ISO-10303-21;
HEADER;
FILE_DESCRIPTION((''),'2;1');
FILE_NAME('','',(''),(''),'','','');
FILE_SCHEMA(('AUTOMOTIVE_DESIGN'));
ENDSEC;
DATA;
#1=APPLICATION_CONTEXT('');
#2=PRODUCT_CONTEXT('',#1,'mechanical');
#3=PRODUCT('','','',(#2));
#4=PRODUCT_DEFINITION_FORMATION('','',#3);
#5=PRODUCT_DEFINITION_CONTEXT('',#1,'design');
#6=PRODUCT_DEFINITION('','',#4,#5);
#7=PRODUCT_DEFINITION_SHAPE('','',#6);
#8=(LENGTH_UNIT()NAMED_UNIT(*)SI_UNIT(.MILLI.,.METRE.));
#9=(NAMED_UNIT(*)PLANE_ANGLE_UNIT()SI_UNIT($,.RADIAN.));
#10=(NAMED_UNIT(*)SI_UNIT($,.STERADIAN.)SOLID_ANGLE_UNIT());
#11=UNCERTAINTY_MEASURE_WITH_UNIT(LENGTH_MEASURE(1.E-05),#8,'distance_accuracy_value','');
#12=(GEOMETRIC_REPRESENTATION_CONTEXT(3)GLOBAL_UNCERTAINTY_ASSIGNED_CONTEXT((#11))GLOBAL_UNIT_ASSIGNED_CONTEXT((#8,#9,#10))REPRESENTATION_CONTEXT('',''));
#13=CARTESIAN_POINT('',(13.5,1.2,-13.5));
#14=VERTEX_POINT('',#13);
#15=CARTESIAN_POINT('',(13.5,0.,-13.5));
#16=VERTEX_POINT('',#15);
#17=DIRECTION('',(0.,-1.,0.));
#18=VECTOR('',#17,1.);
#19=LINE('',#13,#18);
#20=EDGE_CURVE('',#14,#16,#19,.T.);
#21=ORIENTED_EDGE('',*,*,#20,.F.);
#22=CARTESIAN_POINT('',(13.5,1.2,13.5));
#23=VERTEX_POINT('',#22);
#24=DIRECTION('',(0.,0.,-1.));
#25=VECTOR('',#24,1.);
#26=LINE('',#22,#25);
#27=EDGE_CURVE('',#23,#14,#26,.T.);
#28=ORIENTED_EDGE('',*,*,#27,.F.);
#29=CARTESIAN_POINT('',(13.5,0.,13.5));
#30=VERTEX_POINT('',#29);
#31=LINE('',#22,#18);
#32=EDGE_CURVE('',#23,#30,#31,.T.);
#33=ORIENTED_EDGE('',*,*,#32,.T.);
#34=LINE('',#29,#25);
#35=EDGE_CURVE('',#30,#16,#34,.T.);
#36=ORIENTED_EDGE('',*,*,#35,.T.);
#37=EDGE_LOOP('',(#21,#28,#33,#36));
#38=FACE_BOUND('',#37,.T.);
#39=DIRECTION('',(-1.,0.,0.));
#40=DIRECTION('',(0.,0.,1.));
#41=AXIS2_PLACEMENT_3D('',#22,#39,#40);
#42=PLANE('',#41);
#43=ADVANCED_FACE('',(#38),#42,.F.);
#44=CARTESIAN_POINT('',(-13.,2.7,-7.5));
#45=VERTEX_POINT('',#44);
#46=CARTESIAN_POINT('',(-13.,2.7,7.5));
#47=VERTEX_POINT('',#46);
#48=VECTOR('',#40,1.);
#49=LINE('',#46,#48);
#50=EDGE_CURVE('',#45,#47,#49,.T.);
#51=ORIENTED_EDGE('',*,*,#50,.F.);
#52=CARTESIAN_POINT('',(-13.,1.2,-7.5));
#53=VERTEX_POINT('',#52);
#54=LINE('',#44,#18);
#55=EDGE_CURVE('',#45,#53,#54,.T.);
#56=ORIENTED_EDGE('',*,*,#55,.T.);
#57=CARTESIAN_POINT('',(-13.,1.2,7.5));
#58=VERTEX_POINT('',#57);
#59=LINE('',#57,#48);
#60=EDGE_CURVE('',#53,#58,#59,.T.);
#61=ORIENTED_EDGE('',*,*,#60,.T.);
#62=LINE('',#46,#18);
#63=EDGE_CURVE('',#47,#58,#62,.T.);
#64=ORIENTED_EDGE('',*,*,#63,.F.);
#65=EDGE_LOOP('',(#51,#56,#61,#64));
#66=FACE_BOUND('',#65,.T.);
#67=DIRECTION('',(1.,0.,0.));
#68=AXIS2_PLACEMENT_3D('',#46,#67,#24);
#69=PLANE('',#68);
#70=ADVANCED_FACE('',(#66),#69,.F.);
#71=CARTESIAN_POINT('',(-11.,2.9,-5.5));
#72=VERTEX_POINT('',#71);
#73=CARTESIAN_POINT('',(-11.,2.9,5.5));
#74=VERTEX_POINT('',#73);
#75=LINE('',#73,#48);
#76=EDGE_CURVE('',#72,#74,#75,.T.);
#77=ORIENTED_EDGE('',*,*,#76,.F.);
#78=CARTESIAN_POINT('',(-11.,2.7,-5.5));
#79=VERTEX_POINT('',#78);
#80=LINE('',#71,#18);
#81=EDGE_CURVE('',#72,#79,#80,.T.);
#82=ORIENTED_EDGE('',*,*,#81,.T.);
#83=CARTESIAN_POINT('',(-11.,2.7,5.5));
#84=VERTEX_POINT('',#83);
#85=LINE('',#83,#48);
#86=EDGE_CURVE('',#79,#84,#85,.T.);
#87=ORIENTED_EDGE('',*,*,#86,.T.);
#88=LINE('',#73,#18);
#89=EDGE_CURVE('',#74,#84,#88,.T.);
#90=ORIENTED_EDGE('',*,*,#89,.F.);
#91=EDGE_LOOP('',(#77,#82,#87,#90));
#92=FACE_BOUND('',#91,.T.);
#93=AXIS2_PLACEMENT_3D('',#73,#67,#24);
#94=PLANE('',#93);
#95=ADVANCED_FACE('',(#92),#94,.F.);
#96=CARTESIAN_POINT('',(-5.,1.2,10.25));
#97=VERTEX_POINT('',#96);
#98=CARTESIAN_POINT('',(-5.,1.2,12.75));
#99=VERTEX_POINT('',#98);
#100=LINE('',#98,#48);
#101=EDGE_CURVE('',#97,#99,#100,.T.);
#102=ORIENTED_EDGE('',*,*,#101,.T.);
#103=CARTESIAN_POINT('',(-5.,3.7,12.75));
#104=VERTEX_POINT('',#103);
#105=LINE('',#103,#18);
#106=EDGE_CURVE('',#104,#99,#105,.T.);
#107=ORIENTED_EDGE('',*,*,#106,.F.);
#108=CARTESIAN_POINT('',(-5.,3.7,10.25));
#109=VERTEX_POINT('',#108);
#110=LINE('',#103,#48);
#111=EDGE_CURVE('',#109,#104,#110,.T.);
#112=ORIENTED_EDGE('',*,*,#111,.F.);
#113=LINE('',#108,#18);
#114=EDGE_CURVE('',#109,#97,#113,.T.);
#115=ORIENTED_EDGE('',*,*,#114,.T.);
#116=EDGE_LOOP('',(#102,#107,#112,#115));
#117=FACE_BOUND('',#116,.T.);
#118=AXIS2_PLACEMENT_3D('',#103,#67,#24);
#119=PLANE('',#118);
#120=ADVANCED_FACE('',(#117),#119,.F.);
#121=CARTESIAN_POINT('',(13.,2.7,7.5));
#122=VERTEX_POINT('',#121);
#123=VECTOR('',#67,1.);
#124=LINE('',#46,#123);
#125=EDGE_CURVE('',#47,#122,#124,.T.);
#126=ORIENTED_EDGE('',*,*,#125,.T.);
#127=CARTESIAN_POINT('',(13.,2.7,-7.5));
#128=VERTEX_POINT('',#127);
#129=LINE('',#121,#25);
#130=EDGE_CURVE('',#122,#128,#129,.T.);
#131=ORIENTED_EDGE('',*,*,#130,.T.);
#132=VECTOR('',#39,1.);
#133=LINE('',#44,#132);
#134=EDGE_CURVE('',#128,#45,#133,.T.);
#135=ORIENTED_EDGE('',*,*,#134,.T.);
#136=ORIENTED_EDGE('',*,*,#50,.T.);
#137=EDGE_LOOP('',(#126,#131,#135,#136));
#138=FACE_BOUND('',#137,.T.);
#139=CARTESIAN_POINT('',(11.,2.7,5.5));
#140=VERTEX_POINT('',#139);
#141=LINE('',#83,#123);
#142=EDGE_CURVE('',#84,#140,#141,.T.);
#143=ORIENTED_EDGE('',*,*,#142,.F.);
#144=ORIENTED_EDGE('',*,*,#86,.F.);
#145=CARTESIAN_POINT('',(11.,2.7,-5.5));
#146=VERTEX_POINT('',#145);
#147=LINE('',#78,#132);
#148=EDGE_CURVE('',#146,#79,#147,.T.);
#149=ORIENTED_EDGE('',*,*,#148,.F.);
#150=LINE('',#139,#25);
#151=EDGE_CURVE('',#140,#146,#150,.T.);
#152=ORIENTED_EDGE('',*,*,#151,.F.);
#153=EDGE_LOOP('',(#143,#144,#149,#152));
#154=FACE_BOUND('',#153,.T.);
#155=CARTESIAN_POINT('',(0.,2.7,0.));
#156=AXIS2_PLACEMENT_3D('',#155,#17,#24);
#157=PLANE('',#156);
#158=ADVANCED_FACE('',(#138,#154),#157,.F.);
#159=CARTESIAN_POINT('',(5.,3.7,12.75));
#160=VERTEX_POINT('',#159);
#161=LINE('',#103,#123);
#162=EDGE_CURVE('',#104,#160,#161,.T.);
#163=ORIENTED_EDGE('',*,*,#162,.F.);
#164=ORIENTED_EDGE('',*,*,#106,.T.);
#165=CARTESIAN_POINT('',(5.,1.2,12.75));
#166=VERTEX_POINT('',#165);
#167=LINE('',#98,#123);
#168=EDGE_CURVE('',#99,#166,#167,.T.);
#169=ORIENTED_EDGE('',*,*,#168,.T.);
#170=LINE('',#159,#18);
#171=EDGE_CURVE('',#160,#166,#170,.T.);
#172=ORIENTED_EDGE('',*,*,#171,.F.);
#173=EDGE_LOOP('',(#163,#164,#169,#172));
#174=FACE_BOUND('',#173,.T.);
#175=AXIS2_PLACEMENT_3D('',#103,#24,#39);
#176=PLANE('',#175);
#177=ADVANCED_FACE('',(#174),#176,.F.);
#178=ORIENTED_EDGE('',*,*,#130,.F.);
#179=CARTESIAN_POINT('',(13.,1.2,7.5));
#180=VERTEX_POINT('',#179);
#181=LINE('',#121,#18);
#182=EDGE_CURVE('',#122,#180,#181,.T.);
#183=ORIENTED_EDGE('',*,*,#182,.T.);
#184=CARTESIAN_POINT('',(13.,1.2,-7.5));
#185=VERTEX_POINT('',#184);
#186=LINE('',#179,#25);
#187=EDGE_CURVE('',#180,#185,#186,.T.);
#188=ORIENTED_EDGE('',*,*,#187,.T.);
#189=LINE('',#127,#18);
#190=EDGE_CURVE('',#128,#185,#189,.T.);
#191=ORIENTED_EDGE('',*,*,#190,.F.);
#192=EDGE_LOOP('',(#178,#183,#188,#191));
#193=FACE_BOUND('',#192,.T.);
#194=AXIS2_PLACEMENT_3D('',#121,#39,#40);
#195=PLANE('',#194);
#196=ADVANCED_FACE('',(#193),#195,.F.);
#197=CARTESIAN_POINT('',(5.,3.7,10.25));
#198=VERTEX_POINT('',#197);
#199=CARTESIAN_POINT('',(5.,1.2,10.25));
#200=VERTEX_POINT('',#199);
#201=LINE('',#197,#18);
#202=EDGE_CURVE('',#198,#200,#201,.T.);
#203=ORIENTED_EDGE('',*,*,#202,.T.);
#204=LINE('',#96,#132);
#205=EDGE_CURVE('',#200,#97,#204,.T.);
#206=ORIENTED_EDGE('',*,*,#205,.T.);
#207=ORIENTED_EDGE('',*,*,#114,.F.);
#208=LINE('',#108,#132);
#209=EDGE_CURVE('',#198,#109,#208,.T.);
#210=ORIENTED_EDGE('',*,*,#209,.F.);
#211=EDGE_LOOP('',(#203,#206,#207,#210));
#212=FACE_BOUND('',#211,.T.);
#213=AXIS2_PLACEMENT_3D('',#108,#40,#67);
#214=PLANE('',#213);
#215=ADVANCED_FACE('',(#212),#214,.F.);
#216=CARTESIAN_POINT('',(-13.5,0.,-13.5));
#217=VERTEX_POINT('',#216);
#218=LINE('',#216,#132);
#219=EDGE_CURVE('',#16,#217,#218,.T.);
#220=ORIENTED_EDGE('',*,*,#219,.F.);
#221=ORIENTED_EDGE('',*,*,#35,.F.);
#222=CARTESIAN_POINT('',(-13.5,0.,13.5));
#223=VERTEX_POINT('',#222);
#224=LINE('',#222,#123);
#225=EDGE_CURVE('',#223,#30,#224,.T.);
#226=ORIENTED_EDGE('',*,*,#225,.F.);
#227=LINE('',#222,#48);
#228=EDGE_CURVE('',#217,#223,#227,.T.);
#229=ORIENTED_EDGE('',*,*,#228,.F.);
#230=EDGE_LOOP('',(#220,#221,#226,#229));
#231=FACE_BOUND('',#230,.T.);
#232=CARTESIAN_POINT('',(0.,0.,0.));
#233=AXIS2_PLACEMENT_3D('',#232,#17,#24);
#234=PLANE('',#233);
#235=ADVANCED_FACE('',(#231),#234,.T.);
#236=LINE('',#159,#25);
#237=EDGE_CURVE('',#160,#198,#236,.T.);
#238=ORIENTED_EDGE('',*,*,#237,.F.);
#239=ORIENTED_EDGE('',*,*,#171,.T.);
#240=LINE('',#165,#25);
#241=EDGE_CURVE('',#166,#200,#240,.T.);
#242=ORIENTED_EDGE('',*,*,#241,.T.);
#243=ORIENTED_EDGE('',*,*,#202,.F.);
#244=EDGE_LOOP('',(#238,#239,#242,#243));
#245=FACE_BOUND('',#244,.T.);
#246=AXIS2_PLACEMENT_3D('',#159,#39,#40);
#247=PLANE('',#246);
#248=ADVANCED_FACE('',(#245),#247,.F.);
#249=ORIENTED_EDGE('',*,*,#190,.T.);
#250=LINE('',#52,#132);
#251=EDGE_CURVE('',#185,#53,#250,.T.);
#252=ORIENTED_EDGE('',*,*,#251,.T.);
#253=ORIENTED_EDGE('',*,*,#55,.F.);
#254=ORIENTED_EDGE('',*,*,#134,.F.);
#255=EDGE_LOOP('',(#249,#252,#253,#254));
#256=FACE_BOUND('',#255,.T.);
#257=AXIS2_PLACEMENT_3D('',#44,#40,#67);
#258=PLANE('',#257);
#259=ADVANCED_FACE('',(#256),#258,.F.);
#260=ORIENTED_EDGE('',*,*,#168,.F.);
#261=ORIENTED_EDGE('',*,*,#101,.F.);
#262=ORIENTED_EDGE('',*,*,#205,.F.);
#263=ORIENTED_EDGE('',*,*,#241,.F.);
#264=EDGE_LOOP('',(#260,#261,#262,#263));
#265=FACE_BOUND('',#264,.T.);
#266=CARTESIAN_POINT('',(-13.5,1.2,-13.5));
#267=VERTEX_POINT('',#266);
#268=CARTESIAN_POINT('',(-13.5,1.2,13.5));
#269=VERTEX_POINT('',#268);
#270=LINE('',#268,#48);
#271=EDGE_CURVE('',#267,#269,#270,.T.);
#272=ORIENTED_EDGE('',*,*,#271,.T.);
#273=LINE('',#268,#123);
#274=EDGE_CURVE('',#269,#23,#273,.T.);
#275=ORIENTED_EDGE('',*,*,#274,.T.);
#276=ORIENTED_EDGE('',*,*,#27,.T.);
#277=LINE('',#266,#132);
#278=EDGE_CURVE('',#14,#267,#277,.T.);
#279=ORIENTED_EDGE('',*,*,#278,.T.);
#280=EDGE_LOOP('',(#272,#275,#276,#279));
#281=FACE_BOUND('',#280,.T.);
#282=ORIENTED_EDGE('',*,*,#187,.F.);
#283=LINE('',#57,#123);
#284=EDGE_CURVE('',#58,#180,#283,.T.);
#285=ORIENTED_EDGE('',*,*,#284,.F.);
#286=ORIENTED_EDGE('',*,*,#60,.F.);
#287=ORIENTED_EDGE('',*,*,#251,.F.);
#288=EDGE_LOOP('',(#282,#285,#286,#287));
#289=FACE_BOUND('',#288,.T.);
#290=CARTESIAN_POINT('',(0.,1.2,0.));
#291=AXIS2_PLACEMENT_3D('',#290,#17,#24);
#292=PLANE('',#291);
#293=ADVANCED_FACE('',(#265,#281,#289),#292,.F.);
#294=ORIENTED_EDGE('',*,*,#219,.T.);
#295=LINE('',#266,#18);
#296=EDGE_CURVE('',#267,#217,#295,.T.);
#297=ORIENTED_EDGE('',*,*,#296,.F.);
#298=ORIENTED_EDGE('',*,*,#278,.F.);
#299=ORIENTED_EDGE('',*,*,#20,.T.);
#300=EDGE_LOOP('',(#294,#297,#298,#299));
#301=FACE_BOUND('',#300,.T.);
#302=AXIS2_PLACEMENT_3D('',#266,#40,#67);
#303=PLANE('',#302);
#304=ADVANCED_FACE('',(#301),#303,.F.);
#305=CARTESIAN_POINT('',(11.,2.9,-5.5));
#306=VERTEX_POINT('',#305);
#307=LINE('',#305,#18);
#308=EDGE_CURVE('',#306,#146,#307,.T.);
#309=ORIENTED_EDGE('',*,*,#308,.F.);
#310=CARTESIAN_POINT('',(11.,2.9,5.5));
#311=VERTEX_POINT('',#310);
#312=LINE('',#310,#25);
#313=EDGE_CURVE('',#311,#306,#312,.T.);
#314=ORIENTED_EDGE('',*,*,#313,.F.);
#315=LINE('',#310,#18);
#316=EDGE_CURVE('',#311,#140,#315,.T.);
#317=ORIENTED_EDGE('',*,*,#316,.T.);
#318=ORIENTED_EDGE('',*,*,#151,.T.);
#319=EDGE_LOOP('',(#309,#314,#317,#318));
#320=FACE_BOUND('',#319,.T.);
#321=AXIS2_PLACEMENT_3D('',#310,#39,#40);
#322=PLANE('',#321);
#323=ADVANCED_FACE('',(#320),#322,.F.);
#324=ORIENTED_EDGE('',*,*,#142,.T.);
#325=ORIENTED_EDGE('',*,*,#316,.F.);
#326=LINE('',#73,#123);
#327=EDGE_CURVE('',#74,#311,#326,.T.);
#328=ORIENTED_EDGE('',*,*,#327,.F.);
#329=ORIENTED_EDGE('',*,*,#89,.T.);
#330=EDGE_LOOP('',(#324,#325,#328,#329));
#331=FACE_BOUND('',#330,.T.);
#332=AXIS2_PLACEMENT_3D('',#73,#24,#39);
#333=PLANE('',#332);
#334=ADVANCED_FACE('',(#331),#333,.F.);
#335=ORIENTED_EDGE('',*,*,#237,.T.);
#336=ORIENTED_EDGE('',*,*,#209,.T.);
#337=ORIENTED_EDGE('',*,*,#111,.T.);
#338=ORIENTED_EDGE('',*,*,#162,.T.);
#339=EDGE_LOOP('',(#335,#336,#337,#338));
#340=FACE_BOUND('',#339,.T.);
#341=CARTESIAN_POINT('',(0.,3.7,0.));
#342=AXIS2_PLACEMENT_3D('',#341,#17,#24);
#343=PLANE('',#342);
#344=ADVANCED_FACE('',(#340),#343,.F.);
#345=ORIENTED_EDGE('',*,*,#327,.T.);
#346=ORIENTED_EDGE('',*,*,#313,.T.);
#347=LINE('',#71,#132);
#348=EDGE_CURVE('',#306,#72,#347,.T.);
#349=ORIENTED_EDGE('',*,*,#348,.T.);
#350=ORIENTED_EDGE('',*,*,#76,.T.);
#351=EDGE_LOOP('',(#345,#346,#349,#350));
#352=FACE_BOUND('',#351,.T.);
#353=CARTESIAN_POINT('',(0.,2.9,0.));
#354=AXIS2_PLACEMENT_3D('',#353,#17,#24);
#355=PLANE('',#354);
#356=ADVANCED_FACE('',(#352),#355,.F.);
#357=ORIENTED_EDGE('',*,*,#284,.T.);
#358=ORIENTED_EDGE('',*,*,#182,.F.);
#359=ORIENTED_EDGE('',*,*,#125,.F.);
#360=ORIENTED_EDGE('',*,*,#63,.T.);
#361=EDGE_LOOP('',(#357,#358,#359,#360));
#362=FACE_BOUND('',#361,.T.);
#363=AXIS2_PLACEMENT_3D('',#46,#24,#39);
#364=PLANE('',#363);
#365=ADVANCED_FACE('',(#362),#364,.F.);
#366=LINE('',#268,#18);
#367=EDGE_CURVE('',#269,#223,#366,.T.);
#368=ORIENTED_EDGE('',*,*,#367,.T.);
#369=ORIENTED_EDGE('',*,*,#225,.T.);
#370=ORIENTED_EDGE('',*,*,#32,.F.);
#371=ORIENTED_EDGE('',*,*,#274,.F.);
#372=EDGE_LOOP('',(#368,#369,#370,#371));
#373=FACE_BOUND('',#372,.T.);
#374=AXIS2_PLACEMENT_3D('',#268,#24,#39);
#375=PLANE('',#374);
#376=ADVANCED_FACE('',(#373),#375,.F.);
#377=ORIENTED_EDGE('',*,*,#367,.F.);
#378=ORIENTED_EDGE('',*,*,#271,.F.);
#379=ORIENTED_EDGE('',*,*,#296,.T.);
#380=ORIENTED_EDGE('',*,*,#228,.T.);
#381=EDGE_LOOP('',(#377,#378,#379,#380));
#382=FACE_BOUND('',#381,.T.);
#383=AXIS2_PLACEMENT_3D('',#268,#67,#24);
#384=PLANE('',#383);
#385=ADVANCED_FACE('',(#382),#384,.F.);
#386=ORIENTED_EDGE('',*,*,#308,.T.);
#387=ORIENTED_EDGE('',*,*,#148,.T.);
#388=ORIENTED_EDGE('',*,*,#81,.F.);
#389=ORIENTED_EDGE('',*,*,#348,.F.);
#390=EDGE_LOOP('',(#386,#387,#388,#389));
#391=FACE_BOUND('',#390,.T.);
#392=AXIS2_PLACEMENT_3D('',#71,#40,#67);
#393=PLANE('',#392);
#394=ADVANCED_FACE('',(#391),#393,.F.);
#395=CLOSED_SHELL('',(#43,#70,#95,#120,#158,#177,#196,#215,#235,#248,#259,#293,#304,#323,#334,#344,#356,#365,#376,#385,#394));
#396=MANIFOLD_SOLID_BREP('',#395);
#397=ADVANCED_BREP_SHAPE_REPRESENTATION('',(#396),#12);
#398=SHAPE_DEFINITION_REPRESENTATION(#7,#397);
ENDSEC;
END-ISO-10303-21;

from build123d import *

# Parameters (mm, degrees)
SKETCH1_W         = 27
SKETCH1_H         = 27
PCB_DEPTH         = 1.2
GLASS_START       = 1.2
SKETCH2_W         = 26
SKETCH2_H         = 15
GLASS_DEPTH       = 1.5
ACTIVE_AREA_START = 2.7
SKETCH3_W         = 22
SKETCH3_H         = 11
ACTIVE_AREA_DEPTH = 0.2
HEADER_START      = 1.2
SKETCH4_W         = 10
SKETCH4_H         = 2.5
HEADER_DEPTH      = 2.5


with BuildPart() as part:
    # Sketch1 → PCB (new body)
    with BuildSketch(Plane(origin=(0, 0, 0), x_dir=(1, 0, 0), z_dir=(0, 1, 0))):
        Rectangle(SKETCH1_W, SKETCH1_H)
    extrude(amount=PCB_DEPTH)

    # Sketch2 → Glass (add)
    with BuildSketch(Plane(origin=(0, 0, 0), x_dir=(1, 0, 0), z_dir=(0, 1, 0)).offset(GLASS_START)):
        Rectangle(SKETCH2_W, SKETCH2_H)
    extrude(amount=GLASS_DEPTH)

    # Sketch3 → Active_Area (add)
    with BuildSketch(Plane(origin=(0, 0, 0), x_dir=(1, 0, 0), z_dir=(0, 1, 0)).offset(ACTIVE_AREA_START)):
        Rectangle(SKETCH3_W, SKETCH3_H)
    extrude(amount=ACTIVE_AREA_DEPTH)

    # Sketch4 → Header (add)
    with BuildSketch(Plane(origin=(0, 0, 0), x_dir=(1, 0, 0), z_dir=(0, 1, 0)).offset(HEADER_START)):
        with Locations((0, -11.5)):
            Rectangle(SKETCH4_W, SKETCH4_H)
    extrude(amount=HEADER_DEPTH)


solid = part.part
